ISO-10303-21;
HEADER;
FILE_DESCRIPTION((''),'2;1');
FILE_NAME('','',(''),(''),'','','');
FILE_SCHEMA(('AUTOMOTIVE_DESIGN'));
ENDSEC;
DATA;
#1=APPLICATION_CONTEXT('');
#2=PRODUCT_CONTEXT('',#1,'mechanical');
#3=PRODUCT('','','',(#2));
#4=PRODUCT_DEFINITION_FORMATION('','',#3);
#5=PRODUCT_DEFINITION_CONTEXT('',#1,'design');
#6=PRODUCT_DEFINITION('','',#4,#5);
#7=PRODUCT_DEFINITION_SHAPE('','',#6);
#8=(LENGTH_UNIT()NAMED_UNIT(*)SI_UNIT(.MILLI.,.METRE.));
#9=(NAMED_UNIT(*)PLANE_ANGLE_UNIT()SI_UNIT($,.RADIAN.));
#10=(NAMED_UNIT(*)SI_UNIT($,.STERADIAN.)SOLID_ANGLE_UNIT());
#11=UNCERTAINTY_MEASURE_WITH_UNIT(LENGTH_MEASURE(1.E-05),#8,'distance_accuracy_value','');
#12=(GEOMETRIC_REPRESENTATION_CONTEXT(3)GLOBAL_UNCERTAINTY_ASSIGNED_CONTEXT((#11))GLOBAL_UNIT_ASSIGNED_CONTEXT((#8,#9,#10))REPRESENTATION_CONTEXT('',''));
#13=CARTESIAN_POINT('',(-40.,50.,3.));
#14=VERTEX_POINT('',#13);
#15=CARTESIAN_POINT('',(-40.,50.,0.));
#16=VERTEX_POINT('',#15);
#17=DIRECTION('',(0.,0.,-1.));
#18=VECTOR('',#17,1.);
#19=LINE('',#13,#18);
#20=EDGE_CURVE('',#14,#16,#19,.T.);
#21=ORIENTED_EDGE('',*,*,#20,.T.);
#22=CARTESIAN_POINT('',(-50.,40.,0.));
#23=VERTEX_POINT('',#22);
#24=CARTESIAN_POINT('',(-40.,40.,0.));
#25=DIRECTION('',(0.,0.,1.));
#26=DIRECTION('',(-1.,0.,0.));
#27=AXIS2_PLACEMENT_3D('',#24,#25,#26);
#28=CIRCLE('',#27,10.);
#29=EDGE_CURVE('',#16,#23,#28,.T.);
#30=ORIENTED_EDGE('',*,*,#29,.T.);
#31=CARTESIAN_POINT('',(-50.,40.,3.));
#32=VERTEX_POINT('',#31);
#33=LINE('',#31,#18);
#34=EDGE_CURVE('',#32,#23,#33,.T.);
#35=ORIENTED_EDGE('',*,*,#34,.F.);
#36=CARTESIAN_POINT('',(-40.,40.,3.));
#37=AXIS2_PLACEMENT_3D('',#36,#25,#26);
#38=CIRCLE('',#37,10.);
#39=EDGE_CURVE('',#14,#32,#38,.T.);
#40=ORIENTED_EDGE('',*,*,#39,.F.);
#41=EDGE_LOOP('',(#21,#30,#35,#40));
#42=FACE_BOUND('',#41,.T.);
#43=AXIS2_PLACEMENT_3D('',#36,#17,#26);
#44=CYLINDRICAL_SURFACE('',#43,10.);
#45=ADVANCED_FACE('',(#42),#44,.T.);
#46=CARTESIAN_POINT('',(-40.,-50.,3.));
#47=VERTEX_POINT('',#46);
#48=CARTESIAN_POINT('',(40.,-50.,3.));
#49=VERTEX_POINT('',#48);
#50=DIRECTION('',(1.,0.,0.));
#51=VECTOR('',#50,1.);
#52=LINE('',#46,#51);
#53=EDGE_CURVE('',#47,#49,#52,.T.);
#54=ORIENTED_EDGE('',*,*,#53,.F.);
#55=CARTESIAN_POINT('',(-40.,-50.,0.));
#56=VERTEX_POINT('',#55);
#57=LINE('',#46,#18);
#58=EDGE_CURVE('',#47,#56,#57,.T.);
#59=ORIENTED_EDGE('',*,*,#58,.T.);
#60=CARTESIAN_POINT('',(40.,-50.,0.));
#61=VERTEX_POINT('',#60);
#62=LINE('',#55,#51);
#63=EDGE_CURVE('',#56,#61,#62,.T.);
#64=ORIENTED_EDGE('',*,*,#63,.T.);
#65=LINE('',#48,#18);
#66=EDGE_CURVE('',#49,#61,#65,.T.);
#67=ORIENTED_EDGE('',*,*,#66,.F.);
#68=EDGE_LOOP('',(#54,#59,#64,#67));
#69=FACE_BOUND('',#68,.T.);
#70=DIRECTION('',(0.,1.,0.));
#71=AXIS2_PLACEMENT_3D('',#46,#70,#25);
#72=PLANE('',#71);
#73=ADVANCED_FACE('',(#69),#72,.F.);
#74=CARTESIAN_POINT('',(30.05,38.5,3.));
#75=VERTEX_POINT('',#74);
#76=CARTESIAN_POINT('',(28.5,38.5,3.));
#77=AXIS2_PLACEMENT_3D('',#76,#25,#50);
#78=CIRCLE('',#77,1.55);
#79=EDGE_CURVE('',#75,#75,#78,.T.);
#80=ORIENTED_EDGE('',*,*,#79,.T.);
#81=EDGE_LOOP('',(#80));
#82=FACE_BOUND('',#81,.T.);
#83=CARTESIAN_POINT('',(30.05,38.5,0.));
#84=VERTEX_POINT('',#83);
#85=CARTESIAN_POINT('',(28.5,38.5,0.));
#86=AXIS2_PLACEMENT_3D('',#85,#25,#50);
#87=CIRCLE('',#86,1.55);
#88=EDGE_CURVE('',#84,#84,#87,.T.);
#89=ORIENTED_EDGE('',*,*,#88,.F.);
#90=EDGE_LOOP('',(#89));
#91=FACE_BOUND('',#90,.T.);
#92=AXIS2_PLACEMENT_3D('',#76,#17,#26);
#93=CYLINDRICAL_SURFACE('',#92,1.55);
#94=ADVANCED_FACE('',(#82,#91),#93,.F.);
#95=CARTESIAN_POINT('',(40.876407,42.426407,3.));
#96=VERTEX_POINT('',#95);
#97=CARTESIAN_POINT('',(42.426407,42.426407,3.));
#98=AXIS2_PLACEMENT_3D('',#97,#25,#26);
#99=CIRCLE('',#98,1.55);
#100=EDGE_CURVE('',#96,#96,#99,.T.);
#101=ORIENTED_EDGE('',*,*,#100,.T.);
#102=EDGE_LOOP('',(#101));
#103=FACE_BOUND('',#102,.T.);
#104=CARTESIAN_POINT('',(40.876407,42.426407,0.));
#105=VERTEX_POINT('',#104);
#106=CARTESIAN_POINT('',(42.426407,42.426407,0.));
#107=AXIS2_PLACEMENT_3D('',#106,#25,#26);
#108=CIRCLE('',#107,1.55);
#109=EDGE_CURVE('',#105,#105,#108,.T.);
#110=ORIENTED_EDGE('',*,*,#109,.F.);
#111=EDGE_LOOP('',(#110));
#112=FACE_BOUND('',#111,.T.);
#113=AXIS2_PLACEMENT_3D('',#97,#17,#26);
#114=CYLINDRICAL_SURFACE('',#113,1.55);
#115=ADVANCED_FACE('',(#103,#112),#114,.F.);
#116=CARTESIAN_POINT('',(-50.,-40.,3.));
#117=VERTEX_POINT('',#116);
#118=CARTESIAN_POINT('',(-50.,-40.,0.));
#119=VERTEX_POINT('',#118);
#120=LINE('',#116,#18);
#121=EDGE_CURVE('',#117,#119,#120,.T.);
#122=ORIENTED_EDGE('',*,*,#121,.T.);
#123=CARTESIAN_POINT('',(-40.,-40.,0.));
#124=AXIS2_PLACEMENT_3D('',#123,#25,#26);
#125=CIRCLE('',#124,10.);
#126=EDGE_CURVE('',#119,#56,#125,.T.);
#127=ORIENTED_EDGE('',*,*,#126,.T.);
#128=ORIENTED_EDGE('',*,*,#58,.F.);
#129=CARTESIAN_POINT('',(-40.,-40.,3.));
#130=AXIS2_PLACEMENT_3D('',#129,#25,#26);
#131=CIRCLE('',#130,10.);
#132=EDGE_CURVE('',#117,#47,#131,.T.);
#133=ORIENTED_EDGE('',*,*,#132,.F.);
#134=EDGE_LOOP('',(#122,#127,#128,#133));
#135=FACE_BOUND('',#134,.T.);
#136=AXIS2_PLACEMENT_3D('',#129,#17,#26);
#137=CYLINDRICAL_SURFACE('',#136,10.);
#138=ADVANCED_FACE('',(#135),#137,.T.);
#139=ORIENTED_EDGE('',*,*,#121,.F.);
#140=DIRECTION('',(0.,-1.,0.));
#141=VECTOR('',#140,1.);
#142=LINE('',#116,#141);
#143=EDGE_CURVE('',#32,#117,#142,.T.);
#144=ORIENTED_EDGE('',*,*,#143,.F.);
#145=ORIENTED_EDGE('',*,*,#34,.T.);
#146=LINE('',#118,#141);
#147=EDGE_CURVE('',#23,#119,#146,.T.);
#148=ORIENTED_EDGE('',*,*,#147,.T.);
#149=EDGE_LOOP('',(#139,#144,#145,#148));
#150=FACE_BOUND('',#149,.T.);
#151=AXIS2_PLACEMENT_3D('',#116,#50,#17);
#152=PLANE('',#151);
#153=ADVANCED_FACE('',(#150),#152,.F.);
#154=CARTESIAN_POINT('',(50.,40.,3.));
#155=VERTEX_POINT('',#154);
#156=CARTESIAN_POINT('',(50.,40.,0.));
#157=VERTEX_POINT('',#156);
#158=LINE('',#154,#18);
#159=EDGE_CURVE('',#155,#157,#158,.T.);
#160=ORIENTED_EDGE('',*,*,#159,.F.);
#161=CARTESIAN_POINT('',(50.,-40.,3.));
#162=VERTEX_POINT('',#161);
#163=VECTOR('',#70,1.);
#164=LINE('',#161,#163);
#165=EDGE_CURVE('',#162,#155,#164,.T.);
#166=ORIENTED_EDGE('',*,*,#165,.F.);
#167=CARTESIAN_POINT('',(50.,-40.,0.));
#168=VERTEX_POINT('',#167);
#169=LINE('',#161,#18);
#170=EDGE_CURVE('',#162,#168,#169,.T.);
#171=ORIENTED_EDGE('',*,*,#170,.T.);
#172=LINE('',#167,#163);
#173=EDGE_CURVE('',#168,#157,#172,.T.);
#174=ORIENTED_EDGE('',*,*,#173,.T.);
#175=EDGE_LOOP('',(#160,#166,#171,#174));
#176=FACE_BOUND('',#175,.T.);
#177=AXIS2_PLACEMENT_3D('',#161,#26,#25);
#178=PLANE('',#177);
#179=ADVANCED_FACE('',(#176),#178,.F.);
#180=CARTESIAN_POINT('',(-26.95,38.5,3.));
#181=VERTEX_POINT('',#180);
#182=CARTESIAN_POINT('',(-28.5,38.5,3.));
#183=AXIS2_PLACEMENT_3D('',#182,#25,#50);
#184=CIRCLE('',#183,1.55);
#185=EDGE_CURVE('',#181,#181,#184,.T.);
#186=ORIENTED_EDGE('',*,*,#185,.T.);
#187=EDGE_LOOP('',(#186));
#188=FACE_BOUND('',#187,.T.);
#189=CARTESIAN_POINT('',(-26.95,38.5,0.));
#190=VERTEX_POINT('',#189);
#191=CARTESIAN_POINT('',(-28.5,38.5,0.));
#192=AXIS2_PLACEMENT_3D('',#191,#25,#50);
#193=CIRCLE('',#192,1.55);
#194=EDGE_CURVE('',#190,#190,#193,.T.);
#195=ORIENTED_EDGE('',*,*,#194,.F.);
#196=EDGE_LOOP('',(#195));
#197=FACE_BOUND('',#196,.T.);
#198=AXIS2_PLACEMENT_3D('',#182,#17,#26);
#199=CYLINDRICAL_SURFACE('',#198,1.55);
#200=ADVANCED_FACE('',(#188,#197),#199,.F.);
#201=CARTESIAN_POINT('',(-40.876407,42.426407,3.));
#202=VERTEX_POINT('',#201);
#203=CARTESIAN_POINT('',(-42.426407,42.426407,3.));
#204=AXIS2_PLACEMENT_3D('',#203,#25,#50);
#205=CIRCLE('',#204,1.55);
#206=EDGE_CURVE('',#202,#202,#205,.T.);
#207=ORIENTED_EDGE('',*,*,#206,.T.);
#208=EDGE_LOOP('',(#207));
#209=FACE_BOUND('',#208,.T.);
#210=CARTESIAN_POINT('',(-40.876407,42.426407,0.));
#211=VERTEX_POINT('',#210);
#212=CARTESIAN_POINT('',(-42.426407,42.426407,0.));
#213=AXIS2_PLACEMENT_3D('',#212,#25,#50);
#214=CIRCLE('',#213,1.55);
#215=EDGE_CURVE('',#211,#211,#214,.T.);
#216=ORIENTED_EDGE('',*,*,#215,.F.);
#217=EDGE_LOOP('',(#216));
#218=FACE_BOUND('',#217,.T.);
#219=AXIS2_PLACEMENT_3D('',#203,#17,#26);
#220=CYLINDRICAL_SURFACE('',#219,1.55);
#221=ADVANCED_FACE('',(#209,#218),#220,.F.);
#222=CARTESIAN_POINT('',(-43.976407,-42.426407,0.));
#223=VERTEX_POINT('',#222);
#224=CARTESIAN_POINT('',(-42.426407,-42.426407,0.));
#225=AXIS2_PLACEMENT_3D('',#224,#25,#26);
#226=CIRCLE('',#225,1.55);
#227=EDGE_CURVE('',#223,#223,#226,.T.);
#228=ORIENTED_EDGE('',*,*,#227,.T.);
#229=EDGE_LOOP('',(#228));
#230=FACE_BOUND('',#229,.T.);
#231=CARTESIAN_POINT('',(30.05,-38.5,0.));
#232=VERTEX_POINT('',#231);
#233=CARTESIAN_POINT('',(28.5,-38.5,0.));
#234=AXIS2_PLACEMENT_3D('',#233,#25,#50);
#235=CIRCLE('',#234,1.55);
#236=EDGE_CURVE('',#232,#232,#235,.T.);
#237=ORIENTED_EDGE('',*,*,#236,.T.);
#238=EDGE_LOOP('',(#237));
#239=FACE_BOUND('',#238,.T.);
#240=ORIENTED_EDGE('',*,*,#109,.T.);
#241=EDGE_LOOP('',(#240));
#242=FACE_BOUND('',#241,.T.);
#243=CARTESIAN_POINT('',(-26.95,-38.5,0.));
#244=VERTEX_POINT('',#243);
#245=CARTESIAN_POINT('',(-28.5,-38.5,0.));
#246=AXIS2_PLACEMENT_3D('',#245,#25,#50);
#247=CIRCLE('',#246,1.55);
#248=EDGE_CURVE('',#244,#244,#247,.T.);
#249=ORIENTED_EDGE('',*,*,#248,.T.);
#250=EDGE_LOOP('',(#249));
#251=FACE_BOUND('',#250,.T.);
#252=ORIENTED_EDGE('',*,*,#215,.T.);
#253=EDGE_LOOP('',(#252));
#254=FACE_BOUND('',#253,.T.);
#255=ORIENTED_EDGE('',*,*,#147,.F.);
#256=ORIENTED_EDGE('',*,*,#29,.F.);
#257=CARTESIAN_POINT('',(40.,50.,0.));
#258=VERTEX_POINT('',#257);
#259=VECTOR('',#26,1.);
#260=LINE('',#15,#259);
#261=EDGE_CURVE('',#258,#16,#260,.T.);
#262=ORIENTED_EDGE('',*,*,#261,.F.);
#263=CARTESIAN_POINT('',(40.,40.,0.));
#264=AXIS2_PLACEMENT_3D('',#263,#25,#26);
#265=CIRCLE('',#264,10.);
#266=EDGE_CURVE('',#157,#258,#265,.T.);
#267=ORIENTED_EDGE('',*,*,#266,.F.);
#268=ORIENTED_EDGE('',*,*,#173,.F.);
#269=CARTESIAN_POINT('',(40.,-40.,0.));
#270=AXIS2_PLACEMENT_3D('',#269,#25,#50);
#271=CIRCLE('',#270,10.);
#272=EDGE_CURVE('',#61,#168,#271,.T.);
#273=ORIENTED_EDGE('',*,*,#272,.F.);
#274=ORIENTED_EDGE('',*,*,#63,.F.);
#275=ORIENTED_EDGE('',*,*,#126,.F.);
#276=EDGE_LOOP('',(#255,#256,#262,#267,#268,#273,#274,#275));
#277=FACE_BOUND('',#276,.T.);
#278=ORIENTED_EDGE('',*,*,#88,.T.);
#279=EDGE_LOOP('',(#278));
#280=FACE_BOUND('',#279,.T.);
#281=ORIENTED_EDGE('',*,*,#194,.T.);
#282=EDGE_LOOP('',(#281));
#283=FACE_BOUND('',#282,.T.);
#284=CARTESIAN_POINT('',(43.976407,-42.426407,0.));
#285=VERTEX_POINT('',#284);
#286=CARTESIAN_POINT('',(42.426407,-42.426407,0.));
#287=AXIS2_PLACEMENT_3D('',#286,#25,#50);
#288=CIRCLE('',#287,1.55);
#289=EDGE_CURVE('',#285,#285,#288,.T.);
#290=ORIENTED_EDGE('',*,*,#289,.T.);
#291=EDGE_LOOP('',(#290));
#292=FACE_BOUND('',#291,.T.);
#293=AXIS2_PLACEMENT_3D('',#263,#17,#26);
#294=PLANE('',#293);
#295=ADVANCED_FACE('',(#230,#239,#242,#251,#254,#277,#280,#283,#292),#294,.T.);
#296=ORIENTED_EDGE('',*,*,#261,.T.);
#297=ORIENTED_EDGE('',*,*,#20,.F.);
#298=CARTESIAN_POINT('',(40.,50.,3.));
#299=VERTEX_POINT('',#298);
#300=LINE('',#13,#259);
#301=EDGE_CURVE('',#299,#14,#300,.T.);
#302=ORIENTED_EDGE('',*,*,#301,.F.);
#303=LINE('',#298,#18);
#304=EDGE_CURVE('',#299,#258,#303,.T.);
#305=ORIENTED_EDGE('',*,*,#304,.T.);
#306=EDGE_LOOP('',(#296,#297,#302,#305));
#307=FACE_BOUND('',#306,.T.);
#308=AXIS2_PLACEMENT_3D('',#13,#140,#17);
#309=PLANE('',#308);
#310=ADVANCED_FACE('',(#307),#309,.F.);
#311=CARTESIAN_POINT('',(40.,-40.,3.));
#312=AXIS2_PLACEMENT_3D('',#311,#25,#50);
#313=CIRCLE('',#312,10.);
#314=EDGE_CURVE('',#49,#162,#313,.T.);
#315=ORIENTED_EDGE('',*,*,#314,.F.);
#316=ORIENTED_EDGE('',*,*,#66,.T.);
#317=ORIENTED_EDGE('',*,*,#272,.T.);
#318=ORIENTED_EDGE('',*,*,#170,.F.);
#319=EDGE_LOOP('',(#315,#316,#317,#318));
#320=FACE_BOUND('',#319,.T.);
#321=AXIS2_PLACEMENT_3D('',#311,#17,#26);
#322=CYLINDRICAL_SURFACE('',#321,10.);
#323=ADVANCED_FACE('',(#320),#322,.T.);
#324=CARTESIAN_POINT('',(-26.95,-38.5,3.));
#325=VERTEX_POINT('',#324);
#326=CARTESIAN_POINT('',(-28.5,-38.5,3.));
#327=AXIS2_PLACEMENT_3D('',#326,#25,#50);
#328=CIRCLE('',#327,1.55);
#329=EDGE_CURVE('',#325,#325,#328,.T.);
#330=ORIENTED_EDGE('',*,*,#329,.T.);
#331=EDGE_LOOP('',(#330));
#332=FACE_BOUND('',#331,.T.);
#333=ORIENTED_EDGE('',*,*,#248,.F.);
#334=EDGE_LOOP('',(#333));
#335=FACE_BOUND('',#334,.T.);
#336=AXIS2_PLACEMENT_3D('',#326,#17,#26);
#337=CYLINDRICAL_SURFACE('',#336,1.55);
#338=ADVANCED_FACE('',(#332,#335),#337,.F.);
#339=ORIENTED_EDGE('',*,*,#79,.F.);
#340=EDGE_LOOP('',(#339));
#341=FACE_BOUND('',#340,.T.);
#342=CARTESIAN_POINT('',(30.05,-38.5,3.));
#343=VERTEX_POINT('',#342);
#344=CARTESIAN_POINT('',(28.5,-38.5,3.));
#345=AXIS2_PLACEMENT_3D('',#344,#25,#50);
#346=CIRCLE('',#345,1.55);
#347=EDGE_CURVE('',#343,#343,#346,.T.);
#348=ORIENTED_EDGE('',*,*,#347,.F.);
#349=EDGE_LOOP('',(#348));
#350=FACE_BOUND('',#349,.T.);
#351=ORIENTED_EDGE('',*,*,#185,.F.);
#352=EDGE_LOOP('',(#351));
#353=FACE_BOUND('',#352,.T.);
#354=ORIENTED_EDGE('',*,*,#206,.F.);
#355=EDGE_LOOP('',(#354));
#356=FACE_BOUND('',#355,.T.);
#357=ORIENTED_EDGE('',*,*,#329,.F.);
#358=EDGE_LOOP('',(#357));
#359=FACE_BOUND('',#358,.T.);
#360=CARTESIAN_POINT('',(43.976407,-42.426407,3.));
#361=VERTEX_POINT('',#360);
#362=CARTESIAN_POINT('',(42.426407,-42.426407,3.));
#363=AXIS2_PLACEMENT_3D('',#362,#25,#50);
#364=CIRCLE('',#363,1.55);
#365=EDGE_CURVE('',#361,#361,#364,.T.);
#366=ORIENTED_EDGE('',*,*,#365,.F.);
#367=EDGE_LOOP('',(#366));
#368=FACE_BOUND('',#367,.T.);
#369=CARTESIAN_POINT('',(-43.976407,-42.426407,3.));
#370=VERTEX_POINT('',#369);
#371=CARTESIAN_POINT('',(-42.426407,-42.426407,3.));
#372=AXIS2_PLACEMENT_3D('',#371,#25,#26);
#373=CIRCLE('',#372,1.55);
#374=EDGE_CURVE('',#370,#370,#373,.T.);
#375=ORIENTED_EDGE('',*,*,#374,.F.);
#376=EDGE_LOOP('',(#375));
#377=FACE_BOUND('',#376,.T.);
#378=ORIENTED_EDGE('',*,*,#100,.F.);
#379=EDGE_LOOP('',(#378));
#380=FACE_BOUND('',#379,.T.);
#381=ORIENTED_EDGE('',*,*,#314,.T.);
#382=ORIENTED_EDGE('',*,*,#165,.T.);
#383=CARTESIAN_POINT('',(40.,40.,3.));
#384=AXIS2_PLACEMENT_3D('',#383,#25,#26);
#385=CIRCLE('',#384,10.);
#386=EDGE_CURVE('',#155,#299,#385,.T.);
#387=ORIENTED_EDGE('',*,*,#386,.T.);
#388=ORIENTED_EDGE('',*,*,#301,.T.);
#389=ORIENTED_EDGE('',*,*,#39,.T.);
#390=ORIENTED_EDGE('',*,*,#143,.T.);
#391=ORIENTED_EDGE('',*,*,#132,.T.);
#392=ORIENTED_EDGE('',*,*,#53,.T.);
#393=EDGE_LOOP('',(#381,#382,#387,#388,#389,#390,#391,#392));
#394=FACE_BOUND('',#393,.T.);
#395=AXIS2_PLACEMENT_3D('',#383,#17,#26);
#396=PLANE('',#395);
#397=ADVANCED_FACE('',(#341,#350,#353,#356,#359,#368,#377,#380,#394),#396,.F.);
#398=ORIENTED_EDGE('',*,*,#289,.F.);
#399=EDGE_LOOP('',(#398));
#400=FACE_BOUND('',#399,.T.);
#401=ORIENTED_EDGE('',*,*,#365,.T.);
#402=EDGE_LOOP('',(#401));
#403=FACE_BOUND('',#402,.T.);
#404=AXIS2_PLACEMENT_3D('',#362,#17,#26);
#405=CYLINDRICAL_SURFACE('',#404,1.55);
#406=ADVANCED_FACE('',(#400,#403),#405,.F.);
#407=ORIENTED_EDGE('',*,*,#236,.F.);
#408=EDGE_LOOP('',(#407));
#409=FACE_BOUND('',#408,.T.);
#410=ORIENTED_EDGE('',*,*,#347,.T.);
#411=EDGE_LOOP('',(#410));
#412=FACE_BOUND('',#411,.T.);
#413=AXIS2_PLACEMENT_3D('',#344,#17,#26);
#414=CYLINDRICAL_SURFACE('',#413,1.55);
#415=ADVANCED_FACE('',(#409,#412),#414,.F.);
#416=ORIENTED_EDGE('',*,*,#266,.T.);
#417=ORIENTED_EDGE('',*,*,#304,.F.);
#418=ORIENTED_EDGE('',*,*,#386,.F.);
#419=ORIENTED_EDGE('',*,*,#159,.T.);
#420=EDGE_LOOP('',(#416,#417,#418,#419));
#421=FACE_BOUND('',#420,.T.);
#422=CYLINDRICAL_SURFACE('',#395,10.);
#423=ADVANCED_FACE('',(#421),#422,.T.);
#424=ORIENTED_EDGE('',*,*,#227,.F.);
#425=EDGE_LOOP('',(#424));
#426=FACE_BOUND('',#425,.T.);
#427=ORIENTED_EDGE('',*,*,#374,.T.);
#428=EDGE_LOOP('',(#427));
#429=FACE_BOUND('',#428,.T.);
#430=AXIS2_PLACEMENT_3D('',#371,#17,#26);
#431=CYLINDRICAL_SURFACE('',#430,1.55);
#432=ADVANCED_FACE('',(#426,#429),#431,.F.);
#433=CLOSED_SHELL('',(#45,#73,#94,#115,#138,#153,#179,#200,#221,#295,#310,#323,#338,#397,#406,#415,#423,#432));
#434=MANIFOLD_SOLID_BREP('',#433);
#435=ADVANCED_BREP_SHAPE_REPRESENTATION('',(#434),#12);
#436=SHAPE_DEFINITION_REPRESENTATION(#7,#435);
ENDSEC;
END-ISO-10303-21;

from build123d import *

# Parameters (mm, degrees)
SKETCH_1_R      = 1.55
EXTRUDE_1_DEPTH = 3


with BuildPart() as part:
    # 草图1 → 凸台-拉伸1 (new body)
    with BuildSketch(Plane.XY):
        with BuildLine():
            Line((-40, -50), (40, -50))
            ThreePointArc((40, -50), (47.071067812, -47.071067812), (50, -40))
            Line((50, -40), (50, 40))
            ThreePointArc((50, 40), (47.071067812, 47.071067812), (40, 50))
            Line((40, 50), (-40, 50))
            ThreePointArc((-40, 50), (-47.071067812, 47.071067812), (-50, 40))
            Line((-50, 40), (-50, -40))
            ThreePointArc((-50, -40), (-47.071067812, -47.071067812), (-40, -50))
        make_face()
        with Locations((-28.5, 38.5)):
            Circle(SKETCH_1_R, mode=Mode.SUBTRACT)
        with Locations((28.5, 38.5)):
            Circle(SKETCH_1_R, mode=Mode.SUBTRACT)
        with Locations((28.5, -38.5)):
            Circle(SKETCH_1_R, mode=Mode.SUBTRACT)
        with Locations((-28.5, -38.5)):
            Circle(SKETCH_1_R, mode=Mode.SUBTRACT)
        with Locations((-42.426406871, 42.426406871)):
            Circle(SKETCH_1_R, mode=Mode.SUBTRACT)
        with Locations(Location((42.426406871, 42.426406871, 0), (0, 0, 180))):
            Circle(SKETCH_1_R, mode=Mode.SUBTRACT)
        with Locations((42.426406871, -42.426406871)):
            Circle(SKETCH_1_R, mode=Mode.SUBTRACT)
        with Locations(Location((-42.426406871, -42.426406871, 0), (0, 0, 180))):
            Circle(SKETCH_1_R, mode=Mode.SUBTRACT)
    extrude(amount=EXTRUDE_1_DEPTH)


solid = part.part
